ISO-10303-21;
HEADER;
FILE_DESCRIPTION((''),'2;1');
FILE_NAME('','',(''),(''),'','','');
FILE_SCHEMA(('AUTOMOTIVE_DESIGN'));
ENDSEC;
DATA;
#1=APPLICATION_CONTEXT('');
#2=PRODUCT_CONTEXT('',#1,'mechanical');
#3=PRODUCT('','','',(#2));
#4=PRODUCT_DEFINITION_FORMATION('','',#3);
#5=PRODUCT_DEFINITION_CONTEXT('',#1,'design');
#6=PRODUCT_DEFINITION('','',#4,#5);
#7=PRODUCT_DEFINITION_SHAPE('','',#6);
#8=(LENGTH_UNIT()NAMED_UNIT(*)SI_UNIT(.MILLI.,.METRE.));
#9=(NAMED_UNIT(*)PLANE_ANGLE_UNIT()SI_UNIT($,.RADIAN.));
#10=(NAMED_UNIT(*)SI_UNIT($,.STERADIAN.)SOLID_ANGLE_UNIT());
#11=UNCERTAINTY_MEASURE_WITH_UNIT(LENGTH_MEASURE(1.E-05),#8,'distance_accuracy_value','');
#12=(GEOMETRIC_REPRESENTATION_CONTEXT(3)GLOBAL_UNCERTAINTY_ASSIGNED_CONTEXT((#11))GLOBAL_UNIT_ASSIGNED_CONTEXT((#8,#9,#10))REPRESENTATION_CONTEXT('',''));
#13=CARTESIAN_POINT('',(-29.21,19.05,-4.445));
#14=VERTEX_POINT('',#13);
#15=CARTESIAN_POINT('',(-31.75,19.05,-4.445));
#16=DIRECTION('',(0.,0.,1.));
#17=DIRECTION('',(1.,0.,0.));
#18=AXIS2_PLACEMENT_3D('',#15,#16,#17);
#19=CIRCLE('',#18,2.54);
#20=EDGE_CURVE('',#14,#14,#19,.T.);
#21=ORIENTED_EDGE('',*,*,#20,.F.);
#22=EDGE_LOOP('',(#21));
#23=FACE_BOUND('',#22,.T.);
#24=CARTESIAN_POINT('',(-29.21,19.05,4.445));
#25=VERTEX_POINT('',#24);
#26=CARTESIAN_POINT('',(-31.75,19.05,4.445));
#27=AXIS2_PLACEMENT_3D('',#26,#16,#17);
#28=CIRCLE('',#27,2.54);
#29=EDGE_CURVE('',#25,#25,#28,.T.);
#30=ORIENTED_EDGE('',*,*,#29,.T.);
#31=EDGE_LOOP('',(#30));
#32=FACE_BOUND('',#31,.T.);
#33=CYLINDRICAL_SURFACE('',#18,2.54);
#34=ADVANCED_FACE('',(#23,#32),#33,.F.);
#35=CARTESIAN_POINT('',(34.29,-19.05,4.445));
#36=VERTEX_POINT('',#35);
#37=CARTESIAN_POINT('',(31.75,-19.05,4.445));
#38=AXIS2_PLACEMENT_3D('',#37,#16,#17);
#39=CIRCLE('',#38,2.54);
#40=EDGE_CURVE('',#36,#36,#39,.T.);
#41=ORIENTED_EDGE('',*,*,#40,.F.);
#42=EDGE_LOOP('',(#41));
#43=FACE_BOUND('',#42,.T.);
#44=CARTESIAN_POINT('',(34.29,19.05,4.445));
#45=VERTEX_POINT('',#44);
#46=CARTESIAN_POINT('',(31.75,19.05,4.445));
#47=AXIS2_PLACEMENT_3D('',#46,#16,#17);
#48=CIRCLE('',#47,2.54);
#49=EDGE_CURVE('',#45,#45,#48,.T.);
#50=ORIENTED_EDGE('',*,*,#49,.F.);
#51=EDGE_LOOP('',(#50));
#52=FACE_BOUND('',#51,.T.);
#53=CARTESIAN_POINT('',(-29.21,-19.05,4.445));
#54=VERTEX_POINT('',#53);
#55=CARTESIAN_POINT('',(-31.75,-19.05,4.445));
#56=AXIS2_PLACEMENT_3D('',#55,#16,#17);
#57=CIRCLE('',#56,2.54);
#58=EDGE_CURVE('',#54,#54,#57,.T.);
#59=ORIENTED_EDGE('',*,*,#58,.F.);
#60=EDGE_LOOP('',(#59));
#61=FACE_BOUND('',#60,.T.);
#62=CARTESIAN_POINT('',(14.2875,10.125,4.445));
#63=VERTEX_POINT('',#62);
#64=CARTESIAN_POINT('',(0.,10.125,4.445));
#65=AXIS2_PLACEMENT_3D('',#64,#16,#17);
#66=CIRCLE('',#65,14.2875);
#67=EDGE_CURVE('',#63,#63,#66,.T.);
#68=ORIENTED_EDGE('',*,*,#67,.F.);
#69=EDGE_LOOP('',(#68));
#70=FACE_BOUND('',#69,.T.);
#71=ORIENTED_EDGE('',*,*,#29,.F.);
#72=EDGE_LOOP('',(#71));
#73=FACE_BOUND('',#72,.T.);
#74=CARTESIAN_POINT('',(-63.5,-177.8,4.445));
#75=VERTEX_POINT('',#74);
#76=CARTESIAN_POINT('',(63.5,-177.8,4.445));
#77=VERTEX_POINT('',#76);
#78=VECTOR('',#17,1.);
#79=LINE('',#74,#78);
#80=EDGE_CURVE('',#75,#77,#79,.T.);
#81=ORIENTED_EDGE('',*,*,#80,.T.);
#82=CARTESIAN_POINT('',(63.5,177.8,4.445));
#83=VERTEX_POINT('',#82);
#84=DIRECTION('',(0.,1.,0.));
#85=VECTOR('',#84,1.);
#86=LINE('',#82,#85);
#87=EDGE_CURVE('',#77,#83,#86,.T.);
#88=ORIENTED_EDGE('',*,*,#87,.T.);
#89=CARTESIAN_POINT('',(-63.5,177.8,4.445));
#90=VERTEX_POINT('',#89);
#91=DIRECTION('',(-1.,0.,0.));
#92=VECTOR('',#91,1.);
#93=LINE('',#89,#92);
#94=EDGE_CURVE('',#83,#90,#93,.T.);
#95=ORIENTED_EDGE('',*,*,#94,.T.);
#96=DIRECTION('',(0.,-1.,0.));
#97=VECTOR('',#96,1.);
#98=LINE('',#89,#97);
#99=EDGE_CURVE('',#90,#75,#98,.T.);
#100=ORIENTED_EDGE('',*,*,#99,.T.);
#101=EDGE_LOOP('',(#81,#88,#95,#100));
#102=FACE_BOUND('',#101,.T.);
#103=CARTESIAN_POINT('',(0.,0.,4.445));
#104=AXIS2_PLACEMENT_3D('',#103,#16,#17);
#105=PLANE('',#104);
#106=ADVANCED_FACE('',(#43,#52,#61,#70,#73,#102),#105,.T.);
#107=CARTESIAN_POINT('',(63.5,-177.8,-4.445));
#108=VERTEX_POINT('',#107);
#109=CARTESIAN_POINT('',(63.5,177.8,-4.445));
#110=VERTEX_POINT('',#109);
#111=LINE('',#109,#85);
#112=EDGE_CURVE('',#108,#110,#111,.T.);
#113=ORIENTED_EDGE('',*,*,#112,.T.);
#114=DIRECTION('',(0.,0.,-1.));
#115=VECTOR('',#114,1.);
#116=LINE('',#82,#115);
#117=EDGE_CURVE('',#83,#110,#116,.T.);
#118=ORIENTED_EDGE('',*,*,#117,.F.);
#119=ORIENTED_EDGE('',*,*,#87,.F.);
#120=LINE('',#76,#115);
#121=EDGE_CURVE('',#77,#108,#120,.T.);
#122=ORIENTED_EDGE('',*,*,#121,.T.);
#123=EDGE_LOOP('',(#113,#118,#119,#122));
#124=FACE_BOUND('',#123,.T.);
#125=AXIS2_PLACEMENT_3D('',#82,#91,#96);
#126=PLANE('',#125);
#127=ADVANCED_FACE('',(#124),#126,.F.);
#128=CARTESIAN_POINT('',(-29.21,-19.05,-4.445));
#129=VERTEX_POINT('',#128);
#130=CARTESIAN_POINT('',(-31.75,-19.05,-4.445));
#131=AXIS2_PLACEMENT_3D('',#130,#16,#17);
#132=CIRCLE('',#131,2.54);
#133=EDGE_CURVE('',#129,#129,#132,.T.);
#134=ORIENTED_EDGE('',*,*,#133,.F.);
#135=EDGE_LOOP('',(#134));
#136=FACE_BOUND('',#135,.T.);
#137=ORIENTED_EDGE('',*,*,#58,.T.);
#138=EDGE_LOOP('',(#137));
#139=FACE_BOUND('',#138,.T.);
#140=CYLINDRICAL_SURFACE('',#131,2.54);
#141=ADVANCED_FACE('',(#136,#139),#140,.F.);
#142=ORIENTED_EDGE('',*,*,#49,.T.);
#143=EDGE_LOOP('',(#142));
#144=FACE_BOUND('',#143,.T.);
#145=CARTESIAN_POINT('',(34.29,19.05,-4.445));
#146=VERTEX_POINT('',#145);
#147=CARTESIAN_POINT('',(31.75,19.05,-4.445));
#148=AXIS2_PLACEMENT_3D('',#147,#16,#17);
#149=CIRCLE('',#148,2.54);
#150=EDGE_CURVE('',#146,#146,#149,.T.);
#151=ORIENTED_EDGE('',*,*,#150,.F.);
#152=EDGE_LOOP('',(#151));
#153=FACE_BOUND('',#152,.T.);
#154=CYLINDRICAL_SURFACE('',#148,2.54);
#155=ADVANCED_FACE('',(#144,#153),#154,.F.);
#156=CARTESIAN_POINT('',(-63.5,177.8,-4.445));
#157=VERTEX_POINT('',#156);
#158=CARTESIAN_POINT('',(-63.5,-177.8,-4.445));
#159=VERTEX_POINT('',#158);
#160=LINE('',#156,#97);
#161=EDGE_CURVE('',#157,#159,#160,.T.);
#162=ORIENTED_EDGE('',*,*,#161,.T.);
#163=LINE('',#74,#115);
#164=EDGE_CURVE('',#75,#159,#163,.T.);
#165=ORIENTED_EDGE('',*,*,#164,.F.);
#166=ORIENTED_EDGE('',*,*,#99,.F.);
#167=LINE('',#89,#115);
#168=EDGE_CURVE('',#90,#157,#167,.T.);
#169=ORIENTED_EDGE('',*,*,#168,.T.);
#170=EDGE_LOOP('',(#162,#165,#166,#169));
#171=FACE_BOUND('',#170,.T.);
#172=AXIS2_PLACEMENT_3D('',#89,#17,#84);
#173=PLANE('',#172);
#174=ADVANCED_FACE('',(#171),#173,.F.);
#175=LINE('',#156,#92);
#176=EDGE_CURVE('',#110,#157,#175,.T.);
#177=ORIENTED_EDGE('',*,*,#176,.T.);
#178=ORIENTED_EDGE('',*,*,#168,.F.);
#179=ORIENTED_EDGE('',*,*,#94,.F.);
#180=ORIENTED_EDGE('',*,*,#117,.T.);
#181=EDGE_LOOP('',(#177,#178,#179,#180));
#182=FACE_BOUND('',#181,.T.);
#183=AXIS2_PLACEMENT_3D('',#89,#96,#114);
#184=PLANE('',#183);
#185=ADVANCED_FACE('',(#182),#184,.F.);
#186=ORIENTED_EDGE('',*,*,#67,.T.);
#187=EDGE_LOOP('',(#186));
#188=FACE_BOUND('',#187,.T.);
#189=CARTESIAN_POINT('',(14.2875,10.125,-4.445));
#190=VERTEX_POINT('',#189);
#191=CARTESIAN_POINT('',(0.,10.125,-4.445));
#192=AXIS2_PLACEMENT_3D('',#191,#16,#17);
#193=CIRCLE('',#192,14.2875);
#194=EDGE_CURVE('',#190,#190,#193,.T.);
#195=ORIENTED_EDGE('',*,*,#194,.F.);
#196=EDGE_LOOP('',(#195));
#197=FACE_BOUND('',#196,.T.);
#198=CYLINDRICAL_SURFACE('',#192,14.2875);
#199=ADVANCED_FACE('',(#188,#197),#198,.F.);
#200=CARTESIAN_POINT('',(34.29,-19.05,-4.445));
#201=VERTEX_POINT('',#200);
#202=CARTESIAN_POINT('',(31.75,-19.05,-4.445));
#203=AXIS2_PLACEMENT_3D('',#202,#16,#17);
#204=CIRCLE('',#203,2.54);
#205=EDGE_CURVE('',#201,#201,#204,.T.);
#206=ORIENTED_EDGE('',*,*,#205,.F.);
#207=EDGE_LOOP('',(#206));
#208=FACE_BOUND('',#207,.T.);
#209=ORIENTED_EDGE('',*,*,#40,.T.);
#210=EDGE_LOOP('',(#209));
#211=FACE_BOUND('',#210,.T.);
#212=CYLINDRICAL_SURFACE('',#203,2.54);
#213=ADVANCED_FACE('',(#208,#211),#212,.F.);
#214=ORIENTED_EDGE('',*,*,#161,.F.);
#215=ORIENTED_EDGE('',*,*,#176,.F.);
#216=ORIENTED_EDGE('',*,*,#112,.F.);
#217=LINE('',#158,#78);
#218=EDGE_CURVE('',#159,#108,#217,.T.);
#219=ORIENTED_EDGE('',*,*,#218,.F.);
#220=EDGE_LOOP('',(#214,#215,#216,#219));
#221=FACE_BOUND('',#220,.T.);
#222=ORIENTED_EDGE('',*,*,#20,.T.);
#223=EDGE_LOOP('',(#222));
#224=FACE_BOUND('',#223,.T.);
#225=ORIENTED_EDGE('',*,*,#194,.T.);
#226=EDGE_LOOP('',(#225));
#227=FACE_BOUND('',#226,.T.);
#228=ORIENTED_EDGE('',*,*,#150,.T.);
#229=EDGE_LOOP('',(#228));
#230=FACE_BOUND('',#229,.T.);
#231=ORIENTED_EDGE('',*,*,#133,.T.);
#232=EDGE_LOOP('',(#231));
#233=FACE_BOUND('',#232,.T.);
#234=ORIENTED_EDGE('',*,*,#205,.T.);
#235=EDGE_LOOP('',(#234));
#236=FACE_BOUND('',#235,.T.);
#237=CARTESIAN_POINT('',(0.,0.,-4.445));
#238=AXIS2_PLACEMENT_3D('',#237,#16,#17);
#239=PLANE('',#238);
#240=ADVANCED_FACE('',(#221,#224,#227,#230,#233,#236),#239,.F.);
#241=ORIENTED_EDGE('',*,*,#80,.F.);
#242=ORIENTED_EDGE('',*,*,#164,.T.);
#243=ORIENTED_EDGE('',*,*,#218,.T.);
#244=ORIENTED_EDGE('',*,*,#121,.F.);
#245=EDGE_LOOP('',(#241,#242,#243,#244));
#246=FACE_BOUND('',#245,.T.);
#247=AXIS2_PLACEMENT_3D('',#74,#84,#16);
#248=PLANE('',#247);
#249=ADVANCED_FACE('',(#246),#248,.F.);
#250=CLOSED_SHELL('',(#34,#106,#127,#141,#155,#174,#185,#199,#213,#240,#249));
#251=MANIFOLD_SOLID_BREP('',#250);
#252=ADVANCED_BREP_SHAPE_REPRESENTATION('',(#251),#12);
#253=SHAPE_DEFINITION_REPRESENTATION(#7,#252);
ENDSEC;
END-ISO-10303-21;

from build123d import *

# Parameters (mm, degrees)
SKETCH1_W           = 127
SKETCH1_H           = 355.6
BOSS_EXTRUDE1_DEPTH = 4.445
SKETCH2_R           = 14.2875
SKETCH2_R_2         = 2.54
CUT_EXTRUDE1_DEPTH  = 190.008259343


with BuildPart() as part:
    # Sketch1 → Boss-Extrude1 (new, symmetric)
    with BuildSketch(Plane.XY):
        Rectangle(SKETCH1_W, SKETCH1_H)
    extrude(amount=BOSS_EXTRUDE1_DEPTH, both=True)

    # Sketch2 → Cut-Extrude1 (cut, through all)
    with BuildSketch(Plane.XY.offset(4.445)):
        with Locations((0, 10.125)):
            Circle(SKETCH2_R)
        with Locations((31.75, 19.05)):
            Circle(SKETCH2_R_2)
        with Locations((31.75, -19.05)):
            Circle(SKETCH2_R_2)
        with Locations((-31.75, -19.05)):
            Circle(SKETCH2_R_2)
        with Locations((-31.75, 19.05)):
            Circle(SKETCH2_R_2)
    extrude(amount=-CUT_EXTRUDE1_DEPTH, mode=Mode.SUBTRACT)


solid = part.part
